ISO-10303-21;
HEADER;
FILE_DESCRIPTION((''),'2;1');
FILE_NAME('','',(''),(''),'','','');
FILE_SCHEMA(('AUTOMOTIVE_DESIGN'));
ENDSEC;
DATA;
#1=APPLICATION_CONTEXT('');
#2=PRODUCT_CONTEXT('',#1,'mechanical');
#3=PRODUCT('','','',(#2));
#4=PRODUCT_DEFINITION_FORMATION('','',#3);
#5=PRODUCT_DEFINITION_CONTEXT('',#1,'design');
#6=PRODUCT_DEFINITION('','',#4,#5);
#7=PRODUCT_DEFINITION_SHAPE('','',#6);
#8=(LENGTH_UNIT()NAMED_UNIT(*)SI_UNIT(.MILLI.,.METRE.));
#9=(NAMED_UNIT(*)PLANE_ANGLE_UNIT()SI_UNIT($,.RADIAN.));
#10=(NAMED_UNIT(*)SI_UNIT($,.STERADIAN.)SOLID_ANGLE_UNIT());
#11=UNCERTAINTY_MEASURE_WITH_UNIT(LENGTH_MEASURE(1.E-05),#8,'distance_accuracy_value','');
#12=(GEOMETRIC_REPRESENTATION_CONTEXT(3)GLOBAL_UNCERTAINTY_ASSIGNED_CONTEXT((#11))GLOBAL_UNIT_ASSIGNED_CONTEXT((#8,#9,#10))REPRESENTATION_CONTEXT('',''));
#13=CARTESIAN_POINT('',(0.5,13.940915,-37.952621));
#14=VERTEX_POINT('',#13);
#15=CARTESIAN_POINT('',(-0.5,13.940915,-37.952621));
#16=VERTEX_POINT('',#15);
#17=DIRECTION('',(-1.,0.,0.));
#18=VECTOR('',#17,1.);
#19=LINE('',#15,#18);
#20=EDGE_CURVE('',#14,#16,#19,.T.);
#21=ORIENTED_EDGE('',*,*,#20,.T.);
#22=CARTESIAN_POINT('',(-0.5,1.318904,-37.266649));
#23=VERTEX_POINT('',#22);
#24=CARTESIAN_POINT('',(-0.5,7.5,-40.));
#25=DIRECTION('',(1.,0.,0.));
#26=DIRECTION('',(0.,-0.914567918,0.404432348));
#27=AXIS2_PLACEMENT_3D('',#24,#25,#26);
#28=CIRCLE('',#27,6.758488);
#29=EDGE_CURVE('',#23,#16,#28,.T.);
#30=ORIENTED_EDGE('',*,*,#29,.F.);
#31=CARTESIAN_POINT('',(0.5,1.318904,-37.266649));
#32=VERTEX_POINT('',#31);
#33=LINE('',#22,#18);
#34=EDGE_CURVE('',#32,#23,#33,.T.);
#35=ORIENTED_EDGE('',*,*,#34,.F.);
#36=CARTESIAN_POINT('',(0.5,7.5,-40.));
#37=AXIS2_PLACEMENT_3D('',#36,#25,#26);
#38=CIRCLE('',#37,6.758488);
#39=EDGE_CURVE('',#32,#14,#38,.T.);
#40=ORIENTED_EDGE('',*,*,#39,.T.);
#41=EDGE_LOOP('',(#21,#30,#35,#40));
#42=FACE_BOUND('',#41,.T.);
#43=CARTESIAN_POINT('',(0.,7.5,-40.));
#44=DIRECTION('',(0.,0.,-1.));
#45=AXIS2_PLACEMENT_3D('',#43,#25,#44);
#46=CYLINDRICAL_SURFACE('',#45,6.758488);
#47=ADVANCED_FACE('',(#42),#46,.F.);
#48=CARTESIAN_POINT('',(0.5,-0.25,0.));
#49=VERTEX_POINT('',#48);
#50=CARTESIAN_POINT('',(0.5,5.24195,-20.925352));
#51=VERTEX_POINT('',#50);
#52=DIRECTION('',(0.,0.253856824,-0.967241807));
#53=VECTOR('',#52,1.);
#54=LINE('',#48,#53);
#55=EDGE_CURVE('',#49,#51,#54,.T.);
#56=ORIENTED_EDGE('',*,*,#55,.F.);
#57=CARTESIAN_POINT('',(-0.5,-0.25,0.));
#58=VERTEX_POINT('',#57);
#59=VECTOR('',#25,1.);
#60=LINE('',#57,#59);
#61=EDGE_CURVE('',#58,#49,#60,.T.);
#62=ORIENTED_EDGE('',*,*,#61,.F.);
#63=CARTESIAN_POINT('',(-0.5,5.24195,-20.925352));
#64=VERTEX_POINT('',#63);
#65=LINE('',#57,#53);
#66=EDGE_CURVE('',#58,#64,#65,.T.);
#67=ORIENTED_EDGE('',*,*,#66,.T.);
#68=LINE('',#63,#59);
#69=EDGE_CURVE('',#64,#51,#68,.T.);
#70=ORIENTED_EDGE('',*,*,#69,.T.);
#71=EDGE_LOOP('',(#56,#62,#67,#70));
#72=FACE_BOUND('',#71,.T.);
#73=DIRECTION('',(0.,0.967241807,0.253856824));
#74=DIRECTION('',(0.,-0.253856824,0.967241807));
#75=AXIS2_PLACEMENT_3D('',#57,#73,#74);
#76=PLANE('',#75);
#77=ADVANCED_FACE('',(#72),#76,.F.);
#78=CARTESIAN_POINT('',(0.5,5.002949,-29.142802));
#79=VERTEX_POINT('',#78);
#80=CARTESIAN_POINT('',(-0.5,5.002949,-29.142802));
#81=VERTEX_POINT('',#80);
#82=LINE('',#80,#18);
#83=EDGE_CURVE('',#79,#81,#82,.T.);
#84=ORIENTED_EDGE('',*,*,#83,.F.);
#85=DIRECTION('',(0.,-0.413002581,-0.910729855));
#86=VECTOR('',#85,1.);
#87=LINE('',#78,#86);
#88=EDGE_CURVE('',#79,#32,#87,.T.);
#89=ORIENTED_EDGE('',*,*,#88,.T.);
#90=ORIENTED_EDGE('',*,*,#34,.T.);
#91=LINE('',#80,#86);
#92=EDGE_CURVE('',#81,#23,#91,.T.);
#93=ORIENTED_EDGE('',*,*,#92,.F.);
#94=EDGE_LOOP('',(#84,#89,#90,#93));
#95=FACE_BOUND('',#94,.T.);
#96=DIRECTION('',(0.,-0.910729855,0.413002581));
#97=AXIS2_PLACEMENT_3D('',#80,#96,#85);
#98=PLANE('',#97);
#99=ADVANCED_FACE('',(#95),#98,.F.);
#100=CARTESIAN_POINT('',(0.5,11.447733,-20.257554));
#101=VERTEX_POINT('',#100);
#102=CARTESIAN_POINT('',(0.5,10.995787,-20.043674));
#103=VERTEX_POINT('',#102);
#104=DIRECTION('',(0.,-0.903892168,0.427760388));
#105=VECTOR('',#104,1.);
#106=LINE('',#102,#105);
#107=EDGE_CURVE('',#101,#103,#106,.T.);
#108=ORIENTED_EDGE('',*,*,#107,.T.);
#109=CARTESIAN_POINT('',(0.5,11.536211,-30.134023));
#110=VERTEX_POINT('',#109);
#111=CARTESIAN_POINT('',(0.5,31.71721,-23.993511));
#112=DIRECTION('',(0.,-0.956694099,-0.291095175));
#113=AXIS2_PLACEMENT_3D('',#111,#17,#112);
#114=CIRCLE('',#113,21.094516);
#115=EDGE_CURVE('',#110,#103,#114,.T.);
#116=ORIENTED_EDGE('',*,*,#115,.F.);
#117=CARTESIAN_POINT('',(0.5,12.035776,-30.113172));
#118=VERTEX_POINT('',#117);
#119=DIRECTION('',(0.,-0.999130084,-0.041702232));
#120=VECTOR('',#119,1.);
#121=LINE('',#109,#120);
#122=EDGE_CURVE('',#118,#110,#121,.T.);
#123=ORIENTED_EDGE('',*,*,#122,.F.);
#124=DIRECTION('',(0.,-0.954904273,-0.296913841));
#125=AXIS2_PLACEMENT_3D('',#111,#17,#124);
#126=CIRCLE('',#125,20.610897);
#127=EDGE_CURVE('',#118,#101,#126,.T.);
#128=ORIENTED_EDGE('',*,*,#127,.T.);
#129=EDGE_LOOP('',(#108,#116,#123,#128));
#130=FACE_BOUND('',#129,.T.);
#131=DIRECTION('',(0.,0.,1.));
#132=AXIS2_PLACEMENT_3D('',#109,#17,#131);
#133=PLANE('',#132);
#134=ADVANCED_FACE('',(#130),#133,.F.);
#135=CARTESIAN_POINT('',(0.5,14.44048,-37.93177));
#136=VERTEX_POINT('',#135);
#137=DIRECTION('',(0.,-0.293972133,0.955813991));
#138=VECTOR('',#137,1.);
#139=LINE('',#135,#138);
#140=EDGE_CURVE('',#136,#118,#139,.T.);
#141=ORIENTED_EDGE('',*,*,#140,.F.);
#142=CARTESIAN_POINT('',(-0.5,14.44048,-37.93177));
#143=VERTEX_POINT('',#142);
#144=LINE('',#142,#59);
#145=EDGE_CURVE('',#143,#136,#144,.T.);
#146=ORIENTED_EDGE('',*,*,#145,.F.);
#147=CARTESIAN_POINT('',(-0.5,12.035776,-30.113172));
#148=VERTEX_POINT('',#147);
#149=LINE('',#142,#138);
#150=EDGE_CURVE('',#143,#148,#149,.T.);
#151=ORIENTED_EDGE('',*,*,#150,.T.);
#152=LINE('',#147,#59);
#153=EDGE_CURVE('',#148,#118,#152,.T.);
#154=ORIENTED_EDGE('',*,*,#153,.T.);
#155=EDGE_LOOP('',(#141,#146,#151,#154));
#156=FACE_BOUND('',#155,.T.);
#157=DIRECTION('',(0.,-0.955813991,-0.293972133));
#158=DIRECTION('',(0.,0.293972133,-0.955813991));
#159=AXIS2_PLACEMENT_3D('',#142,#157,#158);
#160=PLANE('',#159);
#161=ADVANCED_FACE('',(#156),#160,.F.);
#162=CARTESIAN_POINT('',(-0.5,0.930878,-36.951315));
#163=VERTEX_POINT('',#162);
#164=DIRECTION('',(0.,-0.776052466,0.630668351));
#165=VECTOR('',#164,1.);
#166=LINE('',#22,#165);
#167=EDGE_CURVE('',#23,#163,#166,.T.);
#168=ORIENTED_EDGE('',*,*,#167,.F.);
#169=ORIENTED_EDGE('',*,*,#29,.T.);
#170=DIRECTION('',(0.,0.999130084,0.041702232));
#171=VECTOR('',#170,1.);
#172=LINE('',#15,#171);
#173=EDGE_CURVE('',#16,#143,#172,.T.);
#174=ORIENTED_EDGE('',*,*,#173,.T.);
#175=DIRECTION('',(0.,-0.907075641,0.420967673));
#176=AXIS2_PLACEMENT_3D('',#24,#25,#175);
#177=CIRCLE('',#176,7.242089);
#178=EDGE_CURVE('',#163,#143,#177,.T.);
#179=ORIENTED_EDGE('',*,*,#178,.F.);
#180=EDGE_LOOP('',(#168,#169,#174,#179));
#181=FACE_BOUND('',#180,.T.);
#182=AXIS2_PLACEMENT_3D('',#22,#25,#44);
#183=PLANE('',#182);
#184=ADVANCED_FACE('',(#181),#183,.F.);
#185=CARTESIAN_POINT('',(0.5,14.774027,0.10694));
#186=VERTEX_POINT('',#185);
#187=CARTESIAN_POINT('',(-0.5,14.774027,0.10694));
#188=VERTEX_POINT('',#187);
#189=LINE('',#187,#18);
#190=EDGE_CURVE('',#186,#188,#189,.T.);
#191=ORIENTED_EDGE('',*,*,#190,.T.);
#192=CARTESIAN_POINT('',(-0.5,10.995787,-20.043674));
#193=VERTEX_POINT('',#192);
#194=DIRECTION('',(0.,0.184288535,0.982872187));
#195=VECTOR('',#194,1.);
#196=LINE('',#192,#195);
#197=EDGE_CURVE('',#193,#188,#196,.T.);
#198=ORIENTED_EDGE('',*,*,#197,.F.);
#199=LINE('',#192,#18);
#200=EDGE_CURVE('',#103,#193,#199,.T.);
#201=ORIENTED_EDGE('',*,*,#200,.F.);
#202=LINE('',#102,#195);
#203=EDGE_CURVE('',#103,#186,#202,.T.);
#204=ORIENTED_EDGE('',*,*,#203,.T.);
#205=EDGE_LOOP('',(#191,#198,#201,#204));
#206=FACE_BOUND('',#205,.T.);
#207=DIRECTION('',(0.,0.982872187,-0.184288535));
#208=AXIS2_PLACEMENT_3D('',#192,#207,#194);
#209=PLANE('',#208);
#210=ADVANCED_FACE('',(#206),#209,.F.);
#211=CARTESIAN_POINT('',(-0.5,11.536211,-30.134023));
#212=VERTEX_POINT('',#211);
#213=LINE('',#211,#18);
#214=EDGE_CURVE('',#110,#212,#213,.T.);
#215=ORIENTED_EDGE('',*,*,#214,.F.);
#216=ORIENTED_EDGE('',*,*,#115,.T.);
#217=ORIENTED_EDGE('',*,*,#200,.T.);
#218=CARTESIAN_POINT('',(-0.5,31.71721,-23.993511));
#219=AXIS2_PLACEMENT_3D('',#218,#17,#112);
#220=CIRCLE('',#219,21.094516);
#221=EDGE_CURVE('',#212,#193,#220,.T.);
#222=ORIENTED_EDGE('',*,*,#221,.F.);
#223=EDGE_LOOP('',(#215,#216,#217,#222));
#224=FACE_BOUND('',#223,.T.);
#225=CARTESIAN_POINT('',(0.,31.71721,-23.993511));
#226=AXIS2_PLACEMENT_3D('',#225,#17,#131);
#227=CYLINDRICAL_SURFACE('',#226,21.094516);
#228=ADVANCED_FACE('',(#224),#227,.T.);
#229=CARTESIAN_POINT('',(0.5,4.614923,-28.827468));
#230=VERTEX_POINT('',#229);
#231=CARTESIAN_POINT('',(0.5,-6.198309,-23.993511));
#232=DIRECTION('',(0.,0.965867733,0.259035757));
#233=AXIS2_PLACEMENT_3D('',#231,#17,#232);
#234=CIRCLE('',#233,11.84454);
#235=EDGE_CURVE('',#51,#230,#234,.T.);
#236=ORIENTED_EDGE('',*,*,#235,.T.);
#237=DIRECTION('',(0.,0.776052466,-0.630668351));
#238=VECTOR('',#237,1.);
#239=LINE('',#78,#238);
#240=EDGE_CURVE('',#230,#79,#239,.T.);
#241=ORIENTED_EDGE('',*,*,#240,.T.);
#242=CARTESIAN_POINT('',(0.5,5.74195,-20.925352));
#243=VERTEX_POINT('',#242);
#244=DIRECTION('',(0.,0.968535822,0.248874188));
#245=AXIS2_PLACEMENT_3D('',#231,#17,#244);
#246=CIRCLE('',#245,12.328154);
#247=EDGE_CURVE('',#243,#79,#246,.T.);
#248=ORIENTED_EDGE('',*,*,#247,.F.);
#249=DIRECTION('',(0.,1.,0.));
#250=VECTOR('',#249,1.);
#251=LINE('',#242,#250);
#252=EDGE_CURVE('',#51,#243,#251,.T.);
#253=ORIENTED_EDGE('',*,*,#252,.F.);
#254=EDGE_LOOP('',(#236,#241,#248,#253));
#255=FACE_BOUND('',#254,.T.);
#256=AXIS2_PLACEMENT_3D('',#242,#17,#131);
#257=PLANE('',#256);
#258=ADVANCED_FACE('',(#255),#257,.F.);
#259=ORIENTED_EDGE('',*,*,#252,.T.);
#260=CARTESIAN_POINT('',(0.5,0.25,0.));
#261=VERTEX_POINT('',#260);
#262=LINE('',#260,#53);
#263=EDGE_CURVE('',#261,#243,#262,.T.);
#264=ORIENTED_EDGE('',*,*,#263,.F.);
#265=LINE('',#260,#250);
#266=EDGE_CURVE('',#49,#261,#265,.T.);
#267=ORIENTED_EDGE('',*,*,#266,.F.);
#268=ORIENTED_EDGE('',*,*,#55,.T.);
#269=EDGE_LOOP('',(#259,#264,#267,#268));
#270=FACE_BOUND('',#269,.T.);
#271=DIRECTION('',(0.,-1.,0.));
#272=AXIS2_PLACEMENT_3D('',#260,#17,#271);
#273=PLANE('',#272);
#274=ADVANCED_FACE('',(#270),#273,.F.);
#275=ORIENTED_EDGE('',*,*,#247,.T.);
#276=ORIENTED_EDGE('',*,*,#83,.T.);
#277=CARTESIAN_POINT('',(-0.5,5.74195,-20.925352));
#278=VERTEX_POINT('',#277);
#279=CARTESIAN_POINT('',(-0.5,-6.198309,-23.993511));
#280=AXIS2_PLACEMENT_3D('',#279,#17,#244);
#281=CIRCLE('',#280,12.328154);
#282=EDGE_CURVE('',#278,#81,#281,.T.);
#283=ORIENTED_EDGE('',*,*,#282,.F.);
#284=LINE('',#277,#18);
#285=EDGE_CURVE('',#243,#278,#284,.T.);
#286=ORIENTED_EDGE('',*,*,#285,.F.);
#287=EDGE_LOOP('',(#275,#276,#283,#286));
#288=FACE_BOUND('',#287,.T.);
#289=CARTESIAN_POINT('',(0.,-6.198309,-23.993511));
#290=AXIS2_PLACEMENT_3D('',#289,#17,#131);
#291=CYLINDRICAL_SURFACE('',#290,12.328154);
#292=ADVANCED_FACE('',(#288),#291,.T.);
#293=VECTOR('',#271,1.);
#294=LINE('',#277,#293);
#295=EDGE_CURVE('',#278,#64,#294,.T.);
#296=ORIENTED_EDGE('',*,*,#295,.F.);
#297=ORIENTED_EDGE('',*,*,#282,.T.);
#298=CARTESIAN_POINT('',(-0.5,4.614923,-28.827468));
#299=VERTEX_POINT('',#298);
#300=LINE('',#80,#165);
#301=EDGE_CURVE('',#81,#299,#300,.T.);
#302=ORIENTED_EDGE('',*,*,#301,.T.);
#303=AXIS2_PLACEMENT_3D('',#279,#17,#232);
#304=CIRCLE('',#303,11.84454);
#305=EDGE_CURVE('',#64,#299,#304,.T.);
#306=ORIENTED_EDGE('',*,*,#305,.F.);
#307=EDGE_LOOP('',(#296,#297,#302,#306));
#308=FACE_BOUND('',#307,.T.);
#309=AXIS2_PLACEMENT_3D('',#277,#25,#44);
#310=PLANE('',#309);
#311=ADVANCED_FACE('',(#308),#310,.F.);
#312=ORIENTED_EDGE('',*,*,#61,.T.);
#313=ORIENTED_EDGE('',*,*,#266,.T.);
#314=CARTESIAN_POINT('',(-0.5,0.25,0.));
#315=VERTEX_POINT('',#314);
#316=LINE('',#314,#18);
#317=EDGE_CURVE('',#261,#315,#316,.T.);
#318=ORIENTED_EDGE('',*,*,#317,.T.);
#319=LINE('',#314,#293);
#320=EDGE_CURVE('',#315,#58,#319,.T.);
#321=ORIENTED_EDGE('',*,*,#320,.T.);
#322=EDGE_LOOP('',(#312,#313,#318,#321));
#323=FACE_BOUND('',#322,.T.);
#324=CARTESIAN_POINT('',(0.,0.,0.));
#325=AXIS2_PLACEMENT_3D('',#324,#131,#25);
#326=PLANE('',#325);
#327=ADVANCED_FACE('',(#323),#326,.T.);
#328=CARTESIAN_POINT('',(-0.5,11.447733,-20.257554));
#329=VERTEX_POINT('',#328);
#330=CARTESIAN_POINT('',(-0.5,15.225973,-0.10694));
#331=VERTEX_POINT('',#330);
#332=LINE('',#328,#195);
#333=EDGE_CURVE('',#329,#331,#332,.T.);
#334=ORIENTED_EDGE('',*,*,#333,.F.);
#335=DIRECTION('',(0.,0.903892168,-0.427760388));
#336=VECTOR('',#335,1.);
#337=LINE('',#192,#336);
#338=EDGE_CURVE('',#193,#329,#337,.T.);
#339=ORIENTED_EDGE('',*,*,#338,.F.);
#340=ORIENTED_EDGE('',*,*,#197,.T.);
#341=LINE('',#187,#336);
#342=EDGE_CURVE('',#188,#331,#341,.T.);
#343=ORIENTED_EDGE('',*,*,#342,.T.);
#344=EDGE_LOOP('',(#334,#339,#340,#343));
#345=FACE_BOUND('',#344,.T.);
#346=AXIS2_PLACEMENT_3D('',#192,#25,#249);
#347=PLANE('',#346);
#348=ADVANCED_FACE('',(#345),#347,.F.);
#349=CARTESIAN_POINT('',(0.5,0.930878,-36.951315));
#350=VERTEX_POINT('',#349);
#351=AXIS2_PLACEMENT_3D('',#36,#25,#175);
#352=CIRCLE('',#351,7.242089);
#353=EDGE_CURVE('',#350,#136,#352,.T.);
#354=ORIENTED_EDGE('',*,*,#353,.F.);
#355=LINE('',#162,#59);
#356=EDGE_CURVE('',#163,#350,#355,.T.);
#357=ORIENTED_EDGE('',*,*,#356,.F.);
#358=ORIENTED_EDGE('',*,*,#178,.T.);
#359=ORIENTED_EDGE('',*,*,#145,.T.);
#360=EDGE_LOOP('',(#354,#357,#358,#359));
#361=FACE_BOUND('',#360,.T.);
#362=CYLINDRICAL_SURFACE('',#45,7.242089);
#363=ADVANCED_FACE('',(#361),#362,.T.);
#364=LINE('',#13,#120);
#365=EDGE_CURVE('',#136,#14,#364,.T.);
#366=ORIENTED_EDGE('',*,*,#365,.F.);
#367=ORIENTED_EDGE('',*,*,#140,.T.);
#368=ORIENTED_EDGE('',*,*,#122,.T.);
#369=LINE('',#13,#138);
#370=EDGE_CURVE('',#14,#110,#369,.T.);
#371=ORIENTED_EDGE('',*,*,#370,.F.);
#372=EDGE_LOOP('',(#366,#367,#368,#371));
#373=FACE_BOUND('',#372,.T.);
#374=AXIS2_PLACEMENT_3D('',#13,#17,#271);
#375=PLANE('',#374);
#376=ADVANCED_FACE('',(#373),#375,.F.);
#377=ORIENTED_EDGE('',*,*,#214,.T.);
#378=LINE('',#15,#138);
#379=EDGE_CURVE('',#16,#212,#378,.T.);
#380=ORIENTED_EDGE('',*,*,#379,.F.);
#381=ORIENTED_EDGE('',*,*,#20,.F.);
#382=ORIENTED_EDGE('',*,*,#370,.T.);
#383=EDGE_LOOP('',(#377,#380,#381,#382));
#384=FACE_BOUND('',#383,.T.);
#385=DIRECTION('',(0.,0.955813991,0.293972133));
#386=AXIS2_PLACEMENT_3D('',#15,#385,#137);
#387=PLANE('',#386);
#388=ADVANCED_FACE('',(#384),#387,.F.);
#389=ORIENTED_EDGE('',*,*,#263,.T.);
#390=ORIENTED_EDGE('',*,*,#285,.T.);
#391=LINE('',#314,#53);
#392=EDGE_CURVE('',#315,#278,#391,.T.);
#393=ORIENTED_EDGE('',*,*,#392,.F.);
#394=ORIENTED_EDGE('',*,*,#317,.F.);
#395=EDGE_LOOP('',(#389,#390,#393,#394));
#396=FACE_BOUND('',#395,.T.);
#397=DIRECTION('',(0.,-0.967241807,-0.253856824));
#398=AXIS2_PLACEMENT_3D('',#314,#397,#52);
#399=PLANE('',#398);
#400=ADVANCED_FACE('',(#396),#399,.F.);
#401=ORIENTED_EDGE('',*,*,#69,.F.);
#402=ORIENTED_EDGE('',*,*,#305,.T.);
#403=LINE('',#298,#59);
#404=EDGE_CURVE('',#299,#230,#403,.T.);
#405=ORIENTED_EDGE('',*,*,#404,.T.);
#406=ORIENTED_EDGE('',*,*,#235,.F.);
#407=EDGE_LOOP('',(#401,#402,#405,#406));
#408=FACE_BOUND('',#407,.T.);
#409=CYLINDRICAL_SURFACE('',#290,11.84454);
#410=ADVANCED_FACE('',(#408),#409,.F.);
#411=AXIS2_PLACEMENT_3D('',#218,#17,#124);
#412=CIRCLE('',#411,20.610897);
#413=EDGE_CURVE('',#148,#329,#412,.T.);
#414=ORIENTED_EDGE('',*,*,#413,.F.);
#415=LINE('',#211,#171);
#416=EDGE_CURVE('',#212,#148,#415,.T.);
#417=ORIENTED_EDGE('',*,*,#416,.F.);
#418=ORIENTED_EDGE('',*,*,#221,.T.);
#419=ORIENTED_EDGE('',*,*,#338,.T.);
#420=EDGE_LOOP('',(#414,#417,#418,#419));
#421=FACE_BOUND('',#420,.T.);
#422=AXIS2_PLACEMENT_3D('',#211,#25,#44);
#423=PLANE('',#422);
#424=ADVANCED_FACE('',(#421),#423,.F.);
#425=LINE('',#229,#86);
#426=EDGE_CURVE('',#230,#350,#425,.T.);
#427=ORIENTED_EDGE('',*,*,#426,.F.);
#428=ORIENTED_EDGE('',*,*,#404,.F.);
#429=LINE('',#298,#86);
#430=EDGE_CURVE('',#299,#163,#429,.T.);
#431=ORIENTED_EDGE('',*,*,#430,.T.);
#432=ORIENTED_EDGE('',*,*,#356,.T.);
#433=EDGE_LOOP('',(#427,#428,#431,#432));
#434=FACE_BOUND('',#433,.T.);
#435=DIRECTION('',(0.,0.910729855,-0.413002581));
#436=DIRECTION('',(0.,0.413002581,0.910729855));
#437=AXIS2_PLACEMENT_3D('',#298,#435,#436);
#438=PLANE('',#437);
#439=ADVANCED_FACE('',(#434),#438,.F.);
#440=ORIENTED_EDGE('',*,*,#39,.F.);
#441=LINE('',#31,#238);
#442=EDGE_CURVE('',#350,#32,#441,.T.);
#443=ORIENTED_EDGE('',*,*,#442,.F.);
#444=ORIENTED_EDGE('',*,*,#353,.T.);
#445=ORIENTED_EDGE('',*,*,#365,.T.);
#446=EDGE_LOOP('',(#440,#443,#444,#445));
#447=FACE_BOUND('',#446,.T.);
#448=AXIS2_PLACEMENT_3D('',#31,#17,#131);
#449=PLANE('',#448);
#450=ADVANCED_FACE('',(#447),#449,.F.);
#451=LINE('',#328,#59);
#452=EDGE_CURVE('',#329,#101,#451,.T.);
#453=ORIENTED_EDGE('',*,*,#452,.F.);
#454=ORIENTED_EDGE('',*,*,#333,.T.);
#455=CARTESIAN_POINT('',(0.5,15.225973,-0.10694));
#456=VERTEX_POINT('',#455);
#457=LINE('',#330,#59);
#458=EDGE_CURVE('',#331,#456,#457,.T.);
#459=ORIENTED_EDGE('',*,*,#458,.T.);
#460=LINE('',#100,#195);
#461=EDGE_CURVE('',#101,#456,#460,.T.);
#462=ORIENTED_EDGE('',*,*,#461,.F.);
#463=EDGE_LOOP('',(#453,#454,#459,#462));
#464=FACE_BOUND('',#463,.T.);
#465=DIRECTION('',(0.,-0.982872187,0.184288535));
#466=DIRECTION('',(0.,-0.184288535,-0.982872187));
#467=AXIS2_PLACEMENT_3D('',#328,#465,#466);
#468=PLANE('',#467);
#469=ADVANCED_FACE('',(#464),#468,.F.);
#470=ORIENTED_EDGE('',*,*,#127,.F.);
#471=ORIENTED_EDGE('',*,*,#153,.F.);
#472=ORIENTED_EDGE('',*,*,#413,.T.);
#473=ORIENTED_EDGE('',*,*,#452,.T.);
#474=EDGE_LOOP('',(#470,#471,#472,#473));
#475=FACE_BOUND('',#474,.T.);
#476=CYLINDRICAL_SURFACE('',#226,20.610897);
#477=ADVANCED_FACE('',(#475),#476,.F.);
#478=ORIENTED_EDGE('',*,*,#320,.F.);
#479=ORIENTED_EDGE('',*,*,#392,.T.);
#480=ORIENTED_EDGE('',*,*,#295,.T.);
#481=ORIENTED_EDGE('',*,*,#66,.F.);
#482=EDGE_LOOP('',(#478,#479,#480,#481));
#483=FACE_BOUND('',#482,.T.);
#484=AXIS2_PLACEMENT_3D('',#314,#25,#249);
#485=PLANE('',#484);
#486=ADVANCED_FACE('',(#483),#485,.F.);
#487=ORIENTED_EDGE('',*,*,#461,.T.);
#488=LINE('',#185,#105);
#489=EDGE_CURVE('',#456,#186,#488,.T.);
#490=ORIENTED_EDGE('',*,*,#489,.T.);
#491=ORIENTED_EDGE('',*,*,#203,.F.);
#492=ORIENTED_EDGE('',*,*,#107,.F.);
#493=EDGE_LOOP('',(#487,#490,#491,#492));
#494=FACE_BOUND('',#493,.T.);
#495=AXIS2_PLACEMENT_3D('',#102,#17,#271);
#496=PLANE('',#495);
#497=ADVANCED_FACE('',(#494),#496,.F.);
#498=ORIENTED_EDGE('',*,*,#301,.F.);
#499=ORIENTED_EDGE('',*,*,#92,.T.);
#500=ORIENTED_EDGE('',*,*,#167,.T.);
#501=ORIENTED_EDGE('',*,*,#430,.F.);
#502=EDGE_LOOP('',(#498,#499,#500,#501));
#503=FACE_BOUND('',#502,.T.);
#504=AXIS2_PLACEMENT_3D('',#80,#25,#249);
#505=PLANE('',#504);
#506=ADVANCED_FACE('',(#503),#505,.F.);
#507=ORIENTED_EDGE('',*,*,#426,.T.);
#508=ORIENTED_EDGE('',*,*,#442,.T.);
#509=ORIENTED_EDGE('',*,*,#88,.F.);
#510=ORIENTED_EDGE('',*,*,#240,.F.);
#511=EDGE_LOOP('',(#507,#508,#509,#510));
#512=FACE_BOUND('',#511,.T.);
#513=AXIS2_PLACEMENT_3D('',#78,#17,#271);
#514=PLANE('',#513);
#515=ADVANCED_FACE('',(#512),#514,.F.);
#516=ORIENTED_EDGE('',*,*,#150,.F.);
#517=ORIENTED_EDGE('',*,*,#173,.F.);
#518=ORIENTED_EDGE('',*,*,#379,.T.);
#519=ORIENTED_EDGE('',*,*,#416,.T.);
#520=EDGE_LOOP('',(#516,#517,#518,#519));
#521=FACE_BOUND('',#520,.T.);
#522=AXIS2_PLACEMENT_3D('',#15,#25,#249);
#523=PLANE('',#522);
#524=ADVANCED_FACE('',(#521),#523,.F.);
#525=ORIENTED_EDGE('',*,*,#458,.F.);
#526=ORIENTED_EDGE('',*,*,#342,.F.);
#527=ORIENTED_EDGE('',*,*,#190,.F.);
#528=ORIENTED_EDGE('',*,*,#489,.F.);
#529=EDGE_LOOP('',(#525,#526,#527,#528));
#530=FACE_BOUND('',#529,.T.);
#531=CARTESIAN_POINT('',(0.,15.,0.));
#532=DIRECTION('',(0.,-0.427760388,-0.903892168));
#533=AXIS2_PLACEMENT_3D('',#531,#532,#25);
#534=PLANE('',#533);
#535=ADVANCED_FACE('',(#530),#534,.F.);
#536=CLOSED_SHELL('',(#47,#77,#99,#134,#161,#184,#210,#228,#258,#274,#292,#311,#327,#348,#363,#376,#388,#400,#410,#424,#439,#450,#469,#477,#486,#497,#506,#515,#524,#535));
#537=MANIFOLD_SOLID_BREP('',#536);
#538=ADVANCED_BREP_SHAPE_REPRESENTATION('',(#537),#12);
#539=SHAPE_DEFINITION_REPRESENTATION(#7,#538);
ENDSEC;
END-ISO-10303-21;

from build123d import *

# Parameters (mm, degrees)
IZIM1_W = 1
IZIM1_H = 0.5


with BuildPart() as part:
    # Süpür1: sweep along a path in Çizim2
    with BuildLine(Plane(origin=(0, 0, 0), x_dir=(0, 0, -1), z_dir=(1, 0, 0))) as s_p_r1_path:
        Line((0, 0), (20.925351885, 5.491949727))
        ThreePointArc((20.925351885, 5.491949727), (25.014077523, 5.844705367), (28.985134799, 4.808936092))
        Line((28.985134799, 4.808936092), (37.108981933, 1.124891018))
        ThreePointArc((37.108981933, 1.124891018), (46.985809894, 7.054511358), (37.942195071, 14.190697936))
        Line((37.942195071, 14.190697936), (30.12359745, 11.785993841))
        ThreePointArc((30.12359745, 11.785993841), (25.171390105, 10.89789359), (20.150614238, 11.22175983))
        Line((20.150614238, 11.22175983), (0, 15))
    # Çizim1 → Süpür1 (sweep)
    with BuildSketch(Plane.XY):
        Rectangle(IZIM1_W, IZIM1_H)
    sweep(path=s_p_r1_path.line)


solid = part.part
